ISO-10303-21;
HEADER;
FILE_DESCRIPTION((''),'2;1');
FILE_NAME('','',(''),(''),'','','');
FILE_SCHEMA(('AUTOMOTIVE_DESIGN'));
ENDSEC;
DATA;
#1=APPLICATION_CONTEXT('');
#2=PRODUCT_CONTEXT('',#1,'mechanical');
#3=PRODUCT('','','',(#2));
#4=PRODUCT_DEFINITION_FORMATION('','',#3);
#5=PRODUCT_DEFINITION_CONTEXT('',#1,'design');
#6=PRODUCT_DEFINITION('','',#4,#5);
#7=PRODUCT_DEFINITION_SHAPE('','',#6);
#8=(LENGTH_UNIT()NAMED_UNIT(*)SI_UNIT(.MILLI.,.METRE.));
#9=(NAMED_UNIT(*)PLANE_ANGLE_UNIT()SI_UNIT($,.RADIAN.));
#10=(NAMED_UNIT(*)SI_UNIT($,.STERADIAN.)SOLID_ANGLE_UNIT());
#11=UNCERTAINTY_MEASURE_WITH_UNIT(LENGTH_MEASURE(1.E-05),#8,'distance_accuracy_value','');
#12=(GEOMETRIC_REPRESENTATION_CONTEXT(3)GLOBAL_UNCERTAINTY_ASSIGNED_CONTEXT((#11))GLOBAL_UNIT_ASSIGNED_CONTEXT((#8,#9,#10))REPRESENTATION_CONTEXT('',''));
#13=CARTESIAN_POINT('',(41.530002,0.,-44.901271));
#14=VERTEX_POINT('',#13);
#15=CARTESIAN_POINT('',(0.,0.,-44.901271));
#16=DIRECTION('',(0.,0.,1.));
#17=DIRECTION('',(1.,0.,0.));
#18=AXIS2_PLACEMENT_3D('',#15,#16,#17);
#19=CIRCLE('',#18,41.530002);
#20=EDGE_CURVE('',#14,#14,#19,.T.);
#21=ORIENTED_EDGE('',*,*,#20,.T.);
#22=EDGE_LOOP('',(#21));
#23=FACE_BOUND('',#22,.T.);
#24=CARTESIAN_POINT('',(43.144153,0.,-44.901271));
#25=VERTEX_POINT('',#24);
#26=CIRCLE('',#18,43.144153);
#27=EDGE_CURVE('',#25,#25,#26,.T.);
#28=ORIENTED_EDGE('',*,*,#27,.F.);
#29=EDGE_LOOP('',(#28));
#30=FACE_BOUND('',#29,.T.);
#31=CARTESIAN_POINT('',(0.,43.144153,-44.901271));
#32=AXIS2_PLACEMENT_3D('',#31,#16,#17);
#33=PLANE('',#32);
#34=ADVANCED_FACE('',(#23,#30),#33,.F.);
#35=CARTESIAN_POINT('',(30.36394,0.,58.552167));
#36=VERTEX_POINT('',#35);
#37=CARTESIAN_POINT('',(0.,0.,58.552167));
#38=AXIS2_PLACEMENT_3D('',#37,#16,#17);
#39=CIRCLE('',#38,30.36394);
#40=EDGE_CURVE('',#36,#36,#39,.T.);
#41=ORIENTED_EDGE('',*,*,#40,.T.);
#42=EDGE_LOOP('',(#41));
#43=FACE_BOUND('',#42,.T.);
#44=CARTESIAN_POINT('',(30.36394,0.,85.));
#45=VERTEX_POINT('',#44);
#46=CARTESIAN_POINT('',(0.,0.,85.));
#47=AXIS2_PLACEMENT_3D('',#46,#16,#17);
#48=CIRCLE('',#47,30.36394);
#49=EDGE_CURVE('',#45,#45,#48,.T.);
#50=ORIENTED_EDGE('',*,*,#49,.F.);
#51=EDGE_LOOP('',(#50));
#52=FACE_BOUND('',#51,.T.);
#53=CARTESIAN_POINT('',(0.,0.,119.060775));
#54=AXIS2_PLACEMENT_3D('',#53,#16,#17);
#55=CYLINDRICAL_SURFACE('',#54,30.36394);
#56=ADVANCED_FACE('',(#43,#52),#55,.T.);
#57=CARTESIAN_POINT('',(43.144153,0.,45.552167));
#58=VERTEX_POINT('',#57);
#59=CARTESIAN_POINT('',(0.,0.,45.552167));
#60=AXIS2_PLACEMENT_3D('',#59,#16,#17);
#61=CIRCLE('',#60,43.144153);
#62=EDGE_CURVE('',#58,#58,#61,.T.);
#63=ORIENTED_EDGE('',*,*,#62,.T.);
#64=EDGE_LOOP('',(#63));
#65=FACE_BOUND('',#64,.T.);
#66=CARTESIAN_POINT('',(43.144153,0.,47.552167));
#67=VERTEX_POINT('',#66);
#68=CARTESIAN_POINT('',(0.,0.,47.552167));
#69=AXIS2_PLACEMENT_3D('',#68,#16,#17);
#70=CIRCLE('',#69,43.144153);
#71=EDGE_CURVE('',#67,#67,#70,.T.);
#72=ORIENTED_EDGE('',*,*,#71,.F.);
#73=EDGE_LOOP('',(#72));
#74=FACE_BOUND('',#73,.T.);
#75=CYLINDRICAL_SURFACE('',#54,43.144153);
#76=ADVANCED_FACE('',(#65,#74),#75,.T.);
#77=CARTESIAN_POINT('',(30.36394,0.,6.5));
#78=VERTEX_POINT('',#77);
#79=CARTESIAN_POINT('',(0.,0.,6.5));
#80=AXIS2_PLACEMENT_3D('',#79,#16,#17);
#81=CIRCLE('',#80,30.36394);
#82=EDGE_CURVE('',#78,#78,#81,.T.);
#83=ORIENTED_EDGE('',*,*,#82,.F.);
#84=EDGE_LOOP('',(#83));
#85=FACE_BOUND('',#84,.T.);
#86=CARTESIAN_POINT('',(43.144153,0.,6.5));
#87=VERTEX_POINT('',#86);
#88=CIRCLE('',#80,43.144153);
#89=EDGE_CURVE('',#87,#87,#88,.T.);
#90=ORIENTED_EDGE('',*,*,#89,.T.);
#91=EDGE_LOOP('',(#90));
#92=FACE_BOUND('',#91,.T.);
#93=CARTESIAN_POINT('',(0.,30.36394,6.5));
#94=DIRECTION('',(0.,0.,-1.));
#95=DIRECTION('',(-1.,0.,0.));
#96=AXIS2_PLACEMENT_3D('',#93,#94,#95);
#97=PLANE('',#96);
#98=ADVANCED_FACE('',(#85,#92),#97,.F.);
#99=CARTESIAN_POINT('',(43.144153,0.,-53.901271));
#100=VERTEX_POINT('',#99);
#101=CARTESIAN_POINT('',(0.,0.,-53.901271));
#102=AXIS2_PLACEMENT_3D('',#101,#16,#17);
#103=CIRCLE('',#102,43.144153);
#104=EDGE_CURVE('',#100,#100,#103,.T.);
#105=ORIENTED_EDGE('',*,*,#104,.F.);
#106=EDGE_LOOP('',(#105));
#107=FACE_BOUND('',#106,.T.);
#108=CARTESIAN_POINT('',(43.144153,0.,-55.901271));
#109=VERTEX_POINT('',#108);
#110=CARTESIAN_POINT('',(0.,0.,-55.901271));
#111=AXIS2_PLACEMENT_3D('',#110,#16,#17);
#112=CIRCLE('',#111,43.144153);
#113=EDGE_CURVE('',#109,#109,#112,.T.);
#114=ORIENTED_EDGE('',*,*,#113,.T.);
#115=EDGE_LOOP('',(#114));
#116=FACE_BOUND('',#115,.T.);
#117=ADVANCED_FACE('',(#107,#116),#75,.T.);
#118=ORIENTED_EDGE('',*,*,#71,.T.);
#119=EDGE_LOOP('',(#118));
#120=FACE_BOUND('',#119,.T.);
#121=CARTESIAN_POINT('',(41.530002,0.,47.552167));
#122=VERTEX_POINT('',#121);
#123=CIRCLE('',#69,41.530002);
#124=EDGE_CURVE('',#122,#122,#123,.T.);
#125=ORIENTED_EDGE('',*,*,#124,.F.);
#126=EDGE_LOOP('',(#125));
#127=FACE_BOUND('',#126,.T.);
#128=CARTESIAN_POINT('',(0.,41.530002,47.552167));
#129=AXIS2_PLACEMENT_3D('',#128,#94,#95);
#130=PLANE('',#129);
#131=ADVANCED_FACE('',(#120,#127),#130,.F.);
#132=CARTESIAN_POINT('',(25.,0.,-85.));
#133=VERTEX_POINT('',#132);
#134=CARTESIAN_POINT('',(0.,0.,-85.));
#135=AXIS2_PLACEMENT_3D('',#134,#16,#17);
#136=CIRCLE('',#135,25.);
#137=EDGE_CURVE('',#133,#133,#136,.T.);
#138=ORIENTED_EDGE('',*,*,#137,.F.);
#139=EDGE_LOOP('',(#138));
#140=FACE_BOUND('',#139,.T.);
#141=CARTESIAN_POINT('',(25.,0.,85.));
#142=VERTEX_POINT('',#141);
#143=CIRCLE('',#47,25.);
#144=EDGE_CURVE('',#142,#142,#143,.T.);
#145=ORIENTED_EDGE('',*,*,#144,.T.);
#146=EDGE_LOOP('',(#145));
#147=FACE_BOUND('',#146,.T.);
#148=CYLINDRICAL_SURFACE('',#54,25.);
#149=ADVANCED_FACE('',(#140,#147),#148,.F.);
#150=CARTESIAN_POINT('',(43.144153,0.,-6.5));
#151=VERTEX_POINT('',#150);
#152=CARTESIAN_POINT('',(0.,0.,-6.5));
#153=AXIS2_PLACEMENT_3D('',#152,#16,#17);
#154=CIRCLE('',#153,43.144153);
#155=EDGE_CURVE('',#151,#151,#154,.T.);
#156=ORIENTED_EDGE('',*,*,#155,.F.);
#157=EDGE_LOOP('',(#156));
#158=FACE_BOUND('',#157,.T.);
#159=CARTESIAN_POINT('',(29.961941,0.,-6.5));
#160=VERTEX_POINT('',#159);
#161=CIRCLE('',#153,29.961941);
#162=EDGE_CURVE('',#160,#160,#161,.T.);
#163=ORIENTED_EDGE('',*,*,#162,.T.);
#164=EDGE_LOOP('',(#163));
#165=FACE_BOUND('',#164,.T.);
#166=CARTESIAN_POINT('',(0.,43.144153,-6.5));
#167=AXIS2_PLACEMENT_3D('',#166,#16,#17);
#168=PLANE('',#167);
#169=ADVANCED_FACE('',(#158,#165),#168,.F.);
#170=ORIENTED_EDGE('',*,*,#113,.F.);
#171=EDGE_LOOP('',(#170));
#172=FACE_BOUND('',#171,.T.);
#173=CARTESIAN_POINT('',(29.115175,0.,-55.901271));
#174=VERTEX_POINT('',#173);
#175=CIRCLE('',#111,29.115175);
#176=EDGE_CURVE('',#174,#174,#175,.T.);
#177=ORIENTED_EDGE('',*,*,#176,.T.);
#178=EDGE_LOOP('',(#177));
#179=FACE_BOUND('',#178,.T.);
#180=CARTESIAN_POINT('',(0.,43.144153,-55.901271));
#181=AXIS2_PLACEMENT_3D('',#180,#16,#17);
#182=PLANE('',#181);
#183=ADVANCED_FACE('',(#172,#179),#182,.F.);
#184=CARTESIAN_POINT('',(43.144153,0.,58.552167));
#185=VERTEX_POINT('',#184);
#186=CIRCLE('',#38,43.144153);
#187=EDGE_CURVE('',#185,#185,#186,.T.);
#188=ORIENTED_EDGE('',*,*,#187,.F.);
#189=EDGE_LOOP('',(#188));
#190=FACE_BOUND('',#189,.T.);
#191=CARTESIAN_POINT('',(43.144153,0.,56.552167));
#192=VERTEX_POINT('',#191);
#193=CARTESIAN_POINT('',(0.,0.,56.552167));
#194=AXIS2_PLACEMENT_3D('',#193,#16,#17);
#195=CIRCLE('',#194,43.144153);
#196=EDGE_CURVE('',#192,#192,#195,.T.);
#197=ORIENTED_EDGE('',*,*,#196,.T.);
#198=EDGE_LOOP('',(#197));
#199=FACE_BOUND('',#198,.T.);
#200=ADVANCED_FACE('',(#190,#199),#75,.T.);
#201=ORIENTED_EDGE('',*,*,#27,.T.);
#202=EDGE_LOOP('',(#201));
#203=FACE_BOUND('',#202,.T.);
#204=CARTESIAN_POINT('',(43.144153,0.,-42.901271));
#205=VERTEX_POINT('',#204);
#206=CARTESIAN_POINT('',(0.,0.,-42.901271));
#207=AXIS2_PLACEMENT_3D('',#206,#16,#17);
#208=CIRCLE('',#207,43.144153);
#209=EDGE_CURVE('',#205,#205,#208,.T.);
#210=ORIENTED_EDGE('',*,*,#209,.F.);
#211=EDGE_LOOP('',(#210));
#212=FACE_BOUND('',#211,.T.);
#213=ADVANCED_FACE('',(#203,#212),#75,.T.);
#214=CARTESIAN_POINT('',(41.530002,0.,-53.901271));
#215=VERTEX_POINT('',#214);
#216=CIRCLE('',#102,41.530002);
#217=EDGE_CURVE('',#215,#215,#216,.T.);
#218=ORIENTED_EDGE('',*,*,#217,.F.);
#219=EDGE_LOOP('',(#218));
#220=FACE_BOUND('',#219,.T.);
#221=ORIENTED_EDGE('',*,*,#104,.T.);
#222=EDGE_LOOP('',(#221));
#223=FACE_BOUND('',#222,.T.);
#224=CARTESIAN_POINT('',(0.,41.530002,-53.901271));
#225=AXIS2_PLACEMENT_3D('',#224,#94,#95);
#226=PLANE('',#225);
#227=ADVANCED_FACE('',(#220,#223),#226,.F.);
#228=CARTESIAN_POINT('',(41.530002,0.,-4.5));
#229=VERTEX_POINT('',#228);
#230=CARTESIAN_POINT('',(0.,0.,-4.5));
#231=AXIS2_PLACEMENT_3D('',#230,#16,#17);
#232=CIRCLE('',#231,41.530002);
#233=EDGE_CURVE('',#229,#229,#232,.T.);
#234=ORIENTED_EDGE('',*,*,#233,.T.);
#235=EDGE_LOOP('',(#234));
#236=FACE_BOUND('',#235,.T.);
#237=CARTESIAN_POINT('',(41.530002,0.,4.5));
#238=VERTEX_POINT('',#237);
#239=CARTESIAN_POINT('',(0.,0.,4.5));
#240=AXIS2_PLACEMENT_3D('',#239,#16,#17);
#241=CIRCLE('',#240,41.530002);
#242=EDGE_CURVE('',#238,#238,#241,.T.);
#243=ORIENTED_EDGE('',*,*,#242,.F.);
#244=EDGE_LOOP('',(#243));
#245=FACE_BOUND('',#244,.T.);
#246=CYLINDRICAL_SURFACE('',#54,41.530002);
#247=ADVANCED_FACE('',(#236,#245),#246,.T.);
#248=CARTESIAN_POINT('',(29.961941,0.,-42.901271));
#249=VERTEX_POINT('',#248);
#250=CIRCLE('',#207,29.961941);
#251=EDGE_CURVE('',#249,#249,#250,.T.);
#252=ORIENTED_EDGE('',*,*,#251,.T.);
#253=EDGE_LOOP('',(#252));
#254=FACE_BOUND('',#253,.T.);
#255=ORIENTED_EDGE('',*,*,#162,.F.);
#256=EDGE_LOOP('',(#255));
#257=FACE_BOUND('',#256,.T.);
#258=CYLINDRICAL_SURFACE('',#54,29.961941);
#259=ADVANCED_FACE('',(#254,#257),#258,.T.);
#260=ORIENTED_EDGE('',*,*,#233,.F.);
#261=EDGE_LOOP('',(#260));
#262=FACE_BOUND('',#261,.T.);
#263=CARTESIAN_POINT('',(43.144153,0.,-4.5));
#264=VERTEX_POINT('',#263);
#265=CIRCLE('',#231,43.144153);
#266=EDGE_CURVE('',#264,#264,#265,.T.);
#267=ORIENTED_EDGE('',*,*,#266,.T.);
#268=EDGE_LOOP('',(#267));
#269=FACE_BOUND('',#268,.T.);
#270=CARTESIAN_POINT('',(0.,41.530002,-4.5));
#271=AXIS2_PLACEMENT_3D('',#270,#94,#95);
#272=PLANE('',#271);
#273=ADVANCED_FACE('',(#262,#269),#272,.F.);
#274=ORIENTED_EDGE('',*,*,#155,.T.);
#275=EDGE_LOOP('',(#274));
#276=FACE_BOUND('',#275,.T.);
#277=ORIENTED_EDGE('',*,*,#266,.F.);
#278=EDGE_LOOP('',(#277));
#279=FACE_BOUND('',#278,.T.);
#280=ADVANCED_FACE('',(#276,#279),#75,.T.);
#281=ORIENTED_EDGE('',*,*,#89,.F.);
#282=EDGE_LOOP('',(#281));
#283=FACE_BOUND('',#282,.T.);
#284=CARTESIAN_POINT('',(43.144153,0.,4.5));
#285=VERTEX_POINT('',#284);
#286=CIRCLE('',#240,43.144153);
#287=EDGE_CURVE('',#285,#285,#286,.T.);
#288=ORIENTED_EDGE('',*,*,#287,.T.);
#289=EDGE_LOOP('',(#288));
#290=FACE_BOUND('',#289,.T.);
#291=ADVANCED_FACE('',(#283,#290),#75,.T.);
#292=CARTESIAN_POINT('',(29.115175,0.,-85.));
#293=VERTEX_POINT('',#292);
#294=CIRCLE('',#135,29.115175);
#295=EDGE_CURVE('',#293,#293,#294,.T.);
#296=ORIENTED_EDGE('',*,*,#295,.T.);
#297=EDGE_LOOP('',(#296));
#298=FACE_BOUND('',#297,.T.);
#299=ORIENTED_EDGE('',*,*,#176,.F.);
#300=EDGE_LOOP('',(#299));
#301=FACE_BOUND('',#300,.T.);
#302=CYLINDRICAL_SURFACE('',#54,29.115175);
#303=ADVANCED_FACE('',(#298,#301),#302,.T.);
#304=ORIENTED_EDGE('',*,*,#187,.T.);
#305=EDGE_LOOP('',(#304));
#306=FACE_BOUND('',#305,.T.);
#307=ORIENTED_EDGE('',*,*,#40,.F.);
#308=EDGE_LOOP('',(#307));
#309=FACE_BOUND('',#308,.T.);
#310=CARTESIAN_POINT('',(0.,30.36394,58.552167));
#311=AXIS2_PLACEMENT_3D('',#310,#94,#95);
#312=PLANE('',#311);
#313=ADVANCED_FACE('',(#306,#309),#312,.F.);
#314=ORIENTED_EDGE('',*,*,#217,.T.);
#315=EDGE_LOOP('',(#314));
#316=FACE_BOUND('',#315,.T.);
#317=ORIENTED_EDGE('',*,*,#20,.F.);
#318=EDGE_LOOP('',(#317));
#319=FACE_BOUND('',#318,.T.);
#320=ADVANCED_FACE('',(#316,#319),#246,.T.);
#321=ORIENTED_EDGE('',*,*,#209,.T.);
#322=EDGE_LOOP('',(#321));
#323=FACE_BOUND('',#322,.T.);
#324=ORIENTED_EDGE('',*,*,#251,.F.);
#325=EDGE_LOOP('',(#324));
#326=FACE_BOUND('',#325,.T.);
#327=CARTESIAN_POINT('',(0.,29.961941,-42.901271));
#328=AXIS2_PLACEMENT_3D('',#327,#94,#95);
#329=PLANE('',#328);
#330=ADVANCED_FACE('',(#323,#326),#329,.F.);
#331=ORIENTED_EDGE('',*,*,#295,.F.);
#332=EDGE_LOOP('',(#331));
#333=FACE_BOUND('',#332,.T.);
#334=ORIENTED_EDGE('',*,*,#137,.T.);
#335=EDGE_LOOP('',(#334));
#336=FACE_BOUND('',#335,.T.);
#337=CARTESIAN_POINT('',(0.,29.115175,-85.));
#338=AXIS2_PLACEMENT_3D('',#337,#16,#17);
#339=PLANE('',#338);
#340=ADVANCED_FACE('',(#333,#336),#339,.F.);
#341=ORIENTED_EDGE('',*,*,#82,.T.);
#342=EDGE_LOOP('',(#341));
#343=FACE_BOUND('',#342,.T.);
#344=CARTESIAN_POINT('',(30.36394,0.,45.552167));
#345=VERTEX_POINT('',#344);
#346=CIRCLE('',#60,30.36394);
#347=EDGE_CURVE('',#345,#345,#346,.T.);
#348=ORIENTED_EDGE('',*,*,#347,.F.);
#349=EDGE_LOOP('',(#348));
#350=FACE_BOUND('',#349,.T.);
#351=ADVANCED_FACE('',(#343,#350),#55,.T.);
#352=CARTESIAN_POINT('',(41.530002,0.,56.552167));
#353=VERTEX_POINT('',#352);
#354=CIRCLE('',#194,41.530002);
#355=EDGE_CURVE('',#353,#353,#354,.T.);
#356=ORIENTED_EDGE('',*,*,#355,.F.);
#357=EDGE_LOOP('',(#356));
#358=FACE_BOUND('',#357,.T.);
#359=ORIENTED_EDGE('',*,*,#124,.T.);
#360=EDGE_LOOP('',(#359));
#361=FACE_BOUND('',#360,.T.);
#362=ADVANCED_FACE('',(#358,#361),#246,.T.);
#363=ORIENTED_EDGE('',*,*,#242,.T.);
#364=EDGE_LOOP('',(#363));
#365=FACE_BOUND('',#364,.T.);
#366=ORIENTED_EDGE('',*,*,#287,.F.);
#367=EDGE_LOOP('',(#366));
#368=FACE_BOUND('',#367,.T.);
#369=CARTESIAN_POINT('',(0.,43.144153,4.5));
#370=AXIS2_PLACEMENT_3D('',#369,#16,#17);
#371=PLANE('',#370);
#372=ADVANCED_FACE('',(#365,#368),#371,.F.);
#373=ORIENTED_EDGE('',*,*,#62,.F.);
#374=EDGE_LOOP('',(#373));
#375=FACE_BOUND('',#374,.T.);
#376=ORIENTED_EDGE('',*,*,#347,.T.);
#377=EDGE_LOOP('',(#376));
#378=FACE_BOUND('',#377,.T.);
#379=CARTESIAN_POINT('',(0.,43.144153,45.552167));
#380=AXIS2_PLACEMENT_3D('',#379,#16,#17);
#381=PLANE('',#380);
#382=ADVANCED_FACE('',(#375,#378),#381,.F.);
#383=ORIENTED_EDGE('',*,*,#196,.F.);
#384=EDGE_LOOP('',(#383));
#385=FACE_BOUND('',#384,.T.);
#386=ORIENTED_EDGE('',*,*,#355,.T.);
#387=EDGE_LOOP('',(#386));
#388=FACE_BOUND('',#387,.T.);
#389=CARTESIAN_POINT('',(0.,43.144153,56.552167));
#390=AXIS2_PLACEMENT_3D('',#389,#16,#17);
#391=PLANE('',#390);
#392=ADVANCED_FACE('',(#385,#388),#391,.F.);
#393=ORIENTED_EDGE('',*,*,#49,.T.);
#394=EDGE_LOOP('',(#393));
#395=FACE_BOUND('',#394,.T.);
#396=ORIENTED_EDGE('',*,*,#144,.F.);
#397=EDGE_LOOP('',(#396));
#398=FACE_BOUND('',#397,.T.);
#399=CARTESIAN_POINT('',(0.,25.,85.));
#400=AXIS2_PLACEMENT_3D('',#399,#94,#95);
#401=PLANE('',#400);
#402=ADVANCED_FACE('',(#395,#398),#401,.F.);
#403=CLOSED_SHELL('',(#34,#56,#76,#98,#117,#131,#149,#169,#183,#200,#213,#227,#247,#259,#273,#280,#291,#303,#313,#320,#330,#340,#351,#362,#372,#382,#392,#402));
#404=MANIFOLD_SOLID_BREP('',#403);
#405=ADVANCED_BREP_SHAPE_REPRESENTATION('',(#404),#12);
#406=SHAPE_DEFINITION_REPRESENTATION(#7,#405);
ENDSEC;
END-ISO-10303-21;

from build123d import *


with BuildPart() as part:
    # Sketch1 → Revolve2 (revolve)
    with BuildSketch(Plane(origin=(0, 0, 0), x_dir=(0, 0, -1), z_dir=(1, 0, 0))):
        Polygon((-85, 25), (85, 25), (85, 29.115175046), (55.901270972, 29.115175046), (55.901270972, 43.144153468), (53.901270972, 43.144153468), (53.901270972, 41.530001869), (44.901270972, 41.530001869), (44.901270972, 43.144153468), (42.901270972, 43.144153468), (42.901270972, 29.961940535), (6.5, 29.961940535), (6.5, 43.144153468), (4.5, 43.144153468), (4.5, 41.530001869), (-4.5, 41.530001869), (-4.5, 43.144153468), (-6.5, 43.144153468), (-6.5, 30.363940149), (-45.552167267, 30.363940149), (-45.552167267, 43.144153468), (-47.552167267, 43.144153468), (-47.552167267, 41.530001869), (-56.552167267, 41.530001869), (-56.552167267, 43.144153468), (-58.552167267, 43.144153468), (-58.552167267, 30.363940149), (-85, 30.363940149), align=None)
    revolve(axis=Axis((0, 0, 119.060774984), (0, 0, -1)))


solid = part.part
